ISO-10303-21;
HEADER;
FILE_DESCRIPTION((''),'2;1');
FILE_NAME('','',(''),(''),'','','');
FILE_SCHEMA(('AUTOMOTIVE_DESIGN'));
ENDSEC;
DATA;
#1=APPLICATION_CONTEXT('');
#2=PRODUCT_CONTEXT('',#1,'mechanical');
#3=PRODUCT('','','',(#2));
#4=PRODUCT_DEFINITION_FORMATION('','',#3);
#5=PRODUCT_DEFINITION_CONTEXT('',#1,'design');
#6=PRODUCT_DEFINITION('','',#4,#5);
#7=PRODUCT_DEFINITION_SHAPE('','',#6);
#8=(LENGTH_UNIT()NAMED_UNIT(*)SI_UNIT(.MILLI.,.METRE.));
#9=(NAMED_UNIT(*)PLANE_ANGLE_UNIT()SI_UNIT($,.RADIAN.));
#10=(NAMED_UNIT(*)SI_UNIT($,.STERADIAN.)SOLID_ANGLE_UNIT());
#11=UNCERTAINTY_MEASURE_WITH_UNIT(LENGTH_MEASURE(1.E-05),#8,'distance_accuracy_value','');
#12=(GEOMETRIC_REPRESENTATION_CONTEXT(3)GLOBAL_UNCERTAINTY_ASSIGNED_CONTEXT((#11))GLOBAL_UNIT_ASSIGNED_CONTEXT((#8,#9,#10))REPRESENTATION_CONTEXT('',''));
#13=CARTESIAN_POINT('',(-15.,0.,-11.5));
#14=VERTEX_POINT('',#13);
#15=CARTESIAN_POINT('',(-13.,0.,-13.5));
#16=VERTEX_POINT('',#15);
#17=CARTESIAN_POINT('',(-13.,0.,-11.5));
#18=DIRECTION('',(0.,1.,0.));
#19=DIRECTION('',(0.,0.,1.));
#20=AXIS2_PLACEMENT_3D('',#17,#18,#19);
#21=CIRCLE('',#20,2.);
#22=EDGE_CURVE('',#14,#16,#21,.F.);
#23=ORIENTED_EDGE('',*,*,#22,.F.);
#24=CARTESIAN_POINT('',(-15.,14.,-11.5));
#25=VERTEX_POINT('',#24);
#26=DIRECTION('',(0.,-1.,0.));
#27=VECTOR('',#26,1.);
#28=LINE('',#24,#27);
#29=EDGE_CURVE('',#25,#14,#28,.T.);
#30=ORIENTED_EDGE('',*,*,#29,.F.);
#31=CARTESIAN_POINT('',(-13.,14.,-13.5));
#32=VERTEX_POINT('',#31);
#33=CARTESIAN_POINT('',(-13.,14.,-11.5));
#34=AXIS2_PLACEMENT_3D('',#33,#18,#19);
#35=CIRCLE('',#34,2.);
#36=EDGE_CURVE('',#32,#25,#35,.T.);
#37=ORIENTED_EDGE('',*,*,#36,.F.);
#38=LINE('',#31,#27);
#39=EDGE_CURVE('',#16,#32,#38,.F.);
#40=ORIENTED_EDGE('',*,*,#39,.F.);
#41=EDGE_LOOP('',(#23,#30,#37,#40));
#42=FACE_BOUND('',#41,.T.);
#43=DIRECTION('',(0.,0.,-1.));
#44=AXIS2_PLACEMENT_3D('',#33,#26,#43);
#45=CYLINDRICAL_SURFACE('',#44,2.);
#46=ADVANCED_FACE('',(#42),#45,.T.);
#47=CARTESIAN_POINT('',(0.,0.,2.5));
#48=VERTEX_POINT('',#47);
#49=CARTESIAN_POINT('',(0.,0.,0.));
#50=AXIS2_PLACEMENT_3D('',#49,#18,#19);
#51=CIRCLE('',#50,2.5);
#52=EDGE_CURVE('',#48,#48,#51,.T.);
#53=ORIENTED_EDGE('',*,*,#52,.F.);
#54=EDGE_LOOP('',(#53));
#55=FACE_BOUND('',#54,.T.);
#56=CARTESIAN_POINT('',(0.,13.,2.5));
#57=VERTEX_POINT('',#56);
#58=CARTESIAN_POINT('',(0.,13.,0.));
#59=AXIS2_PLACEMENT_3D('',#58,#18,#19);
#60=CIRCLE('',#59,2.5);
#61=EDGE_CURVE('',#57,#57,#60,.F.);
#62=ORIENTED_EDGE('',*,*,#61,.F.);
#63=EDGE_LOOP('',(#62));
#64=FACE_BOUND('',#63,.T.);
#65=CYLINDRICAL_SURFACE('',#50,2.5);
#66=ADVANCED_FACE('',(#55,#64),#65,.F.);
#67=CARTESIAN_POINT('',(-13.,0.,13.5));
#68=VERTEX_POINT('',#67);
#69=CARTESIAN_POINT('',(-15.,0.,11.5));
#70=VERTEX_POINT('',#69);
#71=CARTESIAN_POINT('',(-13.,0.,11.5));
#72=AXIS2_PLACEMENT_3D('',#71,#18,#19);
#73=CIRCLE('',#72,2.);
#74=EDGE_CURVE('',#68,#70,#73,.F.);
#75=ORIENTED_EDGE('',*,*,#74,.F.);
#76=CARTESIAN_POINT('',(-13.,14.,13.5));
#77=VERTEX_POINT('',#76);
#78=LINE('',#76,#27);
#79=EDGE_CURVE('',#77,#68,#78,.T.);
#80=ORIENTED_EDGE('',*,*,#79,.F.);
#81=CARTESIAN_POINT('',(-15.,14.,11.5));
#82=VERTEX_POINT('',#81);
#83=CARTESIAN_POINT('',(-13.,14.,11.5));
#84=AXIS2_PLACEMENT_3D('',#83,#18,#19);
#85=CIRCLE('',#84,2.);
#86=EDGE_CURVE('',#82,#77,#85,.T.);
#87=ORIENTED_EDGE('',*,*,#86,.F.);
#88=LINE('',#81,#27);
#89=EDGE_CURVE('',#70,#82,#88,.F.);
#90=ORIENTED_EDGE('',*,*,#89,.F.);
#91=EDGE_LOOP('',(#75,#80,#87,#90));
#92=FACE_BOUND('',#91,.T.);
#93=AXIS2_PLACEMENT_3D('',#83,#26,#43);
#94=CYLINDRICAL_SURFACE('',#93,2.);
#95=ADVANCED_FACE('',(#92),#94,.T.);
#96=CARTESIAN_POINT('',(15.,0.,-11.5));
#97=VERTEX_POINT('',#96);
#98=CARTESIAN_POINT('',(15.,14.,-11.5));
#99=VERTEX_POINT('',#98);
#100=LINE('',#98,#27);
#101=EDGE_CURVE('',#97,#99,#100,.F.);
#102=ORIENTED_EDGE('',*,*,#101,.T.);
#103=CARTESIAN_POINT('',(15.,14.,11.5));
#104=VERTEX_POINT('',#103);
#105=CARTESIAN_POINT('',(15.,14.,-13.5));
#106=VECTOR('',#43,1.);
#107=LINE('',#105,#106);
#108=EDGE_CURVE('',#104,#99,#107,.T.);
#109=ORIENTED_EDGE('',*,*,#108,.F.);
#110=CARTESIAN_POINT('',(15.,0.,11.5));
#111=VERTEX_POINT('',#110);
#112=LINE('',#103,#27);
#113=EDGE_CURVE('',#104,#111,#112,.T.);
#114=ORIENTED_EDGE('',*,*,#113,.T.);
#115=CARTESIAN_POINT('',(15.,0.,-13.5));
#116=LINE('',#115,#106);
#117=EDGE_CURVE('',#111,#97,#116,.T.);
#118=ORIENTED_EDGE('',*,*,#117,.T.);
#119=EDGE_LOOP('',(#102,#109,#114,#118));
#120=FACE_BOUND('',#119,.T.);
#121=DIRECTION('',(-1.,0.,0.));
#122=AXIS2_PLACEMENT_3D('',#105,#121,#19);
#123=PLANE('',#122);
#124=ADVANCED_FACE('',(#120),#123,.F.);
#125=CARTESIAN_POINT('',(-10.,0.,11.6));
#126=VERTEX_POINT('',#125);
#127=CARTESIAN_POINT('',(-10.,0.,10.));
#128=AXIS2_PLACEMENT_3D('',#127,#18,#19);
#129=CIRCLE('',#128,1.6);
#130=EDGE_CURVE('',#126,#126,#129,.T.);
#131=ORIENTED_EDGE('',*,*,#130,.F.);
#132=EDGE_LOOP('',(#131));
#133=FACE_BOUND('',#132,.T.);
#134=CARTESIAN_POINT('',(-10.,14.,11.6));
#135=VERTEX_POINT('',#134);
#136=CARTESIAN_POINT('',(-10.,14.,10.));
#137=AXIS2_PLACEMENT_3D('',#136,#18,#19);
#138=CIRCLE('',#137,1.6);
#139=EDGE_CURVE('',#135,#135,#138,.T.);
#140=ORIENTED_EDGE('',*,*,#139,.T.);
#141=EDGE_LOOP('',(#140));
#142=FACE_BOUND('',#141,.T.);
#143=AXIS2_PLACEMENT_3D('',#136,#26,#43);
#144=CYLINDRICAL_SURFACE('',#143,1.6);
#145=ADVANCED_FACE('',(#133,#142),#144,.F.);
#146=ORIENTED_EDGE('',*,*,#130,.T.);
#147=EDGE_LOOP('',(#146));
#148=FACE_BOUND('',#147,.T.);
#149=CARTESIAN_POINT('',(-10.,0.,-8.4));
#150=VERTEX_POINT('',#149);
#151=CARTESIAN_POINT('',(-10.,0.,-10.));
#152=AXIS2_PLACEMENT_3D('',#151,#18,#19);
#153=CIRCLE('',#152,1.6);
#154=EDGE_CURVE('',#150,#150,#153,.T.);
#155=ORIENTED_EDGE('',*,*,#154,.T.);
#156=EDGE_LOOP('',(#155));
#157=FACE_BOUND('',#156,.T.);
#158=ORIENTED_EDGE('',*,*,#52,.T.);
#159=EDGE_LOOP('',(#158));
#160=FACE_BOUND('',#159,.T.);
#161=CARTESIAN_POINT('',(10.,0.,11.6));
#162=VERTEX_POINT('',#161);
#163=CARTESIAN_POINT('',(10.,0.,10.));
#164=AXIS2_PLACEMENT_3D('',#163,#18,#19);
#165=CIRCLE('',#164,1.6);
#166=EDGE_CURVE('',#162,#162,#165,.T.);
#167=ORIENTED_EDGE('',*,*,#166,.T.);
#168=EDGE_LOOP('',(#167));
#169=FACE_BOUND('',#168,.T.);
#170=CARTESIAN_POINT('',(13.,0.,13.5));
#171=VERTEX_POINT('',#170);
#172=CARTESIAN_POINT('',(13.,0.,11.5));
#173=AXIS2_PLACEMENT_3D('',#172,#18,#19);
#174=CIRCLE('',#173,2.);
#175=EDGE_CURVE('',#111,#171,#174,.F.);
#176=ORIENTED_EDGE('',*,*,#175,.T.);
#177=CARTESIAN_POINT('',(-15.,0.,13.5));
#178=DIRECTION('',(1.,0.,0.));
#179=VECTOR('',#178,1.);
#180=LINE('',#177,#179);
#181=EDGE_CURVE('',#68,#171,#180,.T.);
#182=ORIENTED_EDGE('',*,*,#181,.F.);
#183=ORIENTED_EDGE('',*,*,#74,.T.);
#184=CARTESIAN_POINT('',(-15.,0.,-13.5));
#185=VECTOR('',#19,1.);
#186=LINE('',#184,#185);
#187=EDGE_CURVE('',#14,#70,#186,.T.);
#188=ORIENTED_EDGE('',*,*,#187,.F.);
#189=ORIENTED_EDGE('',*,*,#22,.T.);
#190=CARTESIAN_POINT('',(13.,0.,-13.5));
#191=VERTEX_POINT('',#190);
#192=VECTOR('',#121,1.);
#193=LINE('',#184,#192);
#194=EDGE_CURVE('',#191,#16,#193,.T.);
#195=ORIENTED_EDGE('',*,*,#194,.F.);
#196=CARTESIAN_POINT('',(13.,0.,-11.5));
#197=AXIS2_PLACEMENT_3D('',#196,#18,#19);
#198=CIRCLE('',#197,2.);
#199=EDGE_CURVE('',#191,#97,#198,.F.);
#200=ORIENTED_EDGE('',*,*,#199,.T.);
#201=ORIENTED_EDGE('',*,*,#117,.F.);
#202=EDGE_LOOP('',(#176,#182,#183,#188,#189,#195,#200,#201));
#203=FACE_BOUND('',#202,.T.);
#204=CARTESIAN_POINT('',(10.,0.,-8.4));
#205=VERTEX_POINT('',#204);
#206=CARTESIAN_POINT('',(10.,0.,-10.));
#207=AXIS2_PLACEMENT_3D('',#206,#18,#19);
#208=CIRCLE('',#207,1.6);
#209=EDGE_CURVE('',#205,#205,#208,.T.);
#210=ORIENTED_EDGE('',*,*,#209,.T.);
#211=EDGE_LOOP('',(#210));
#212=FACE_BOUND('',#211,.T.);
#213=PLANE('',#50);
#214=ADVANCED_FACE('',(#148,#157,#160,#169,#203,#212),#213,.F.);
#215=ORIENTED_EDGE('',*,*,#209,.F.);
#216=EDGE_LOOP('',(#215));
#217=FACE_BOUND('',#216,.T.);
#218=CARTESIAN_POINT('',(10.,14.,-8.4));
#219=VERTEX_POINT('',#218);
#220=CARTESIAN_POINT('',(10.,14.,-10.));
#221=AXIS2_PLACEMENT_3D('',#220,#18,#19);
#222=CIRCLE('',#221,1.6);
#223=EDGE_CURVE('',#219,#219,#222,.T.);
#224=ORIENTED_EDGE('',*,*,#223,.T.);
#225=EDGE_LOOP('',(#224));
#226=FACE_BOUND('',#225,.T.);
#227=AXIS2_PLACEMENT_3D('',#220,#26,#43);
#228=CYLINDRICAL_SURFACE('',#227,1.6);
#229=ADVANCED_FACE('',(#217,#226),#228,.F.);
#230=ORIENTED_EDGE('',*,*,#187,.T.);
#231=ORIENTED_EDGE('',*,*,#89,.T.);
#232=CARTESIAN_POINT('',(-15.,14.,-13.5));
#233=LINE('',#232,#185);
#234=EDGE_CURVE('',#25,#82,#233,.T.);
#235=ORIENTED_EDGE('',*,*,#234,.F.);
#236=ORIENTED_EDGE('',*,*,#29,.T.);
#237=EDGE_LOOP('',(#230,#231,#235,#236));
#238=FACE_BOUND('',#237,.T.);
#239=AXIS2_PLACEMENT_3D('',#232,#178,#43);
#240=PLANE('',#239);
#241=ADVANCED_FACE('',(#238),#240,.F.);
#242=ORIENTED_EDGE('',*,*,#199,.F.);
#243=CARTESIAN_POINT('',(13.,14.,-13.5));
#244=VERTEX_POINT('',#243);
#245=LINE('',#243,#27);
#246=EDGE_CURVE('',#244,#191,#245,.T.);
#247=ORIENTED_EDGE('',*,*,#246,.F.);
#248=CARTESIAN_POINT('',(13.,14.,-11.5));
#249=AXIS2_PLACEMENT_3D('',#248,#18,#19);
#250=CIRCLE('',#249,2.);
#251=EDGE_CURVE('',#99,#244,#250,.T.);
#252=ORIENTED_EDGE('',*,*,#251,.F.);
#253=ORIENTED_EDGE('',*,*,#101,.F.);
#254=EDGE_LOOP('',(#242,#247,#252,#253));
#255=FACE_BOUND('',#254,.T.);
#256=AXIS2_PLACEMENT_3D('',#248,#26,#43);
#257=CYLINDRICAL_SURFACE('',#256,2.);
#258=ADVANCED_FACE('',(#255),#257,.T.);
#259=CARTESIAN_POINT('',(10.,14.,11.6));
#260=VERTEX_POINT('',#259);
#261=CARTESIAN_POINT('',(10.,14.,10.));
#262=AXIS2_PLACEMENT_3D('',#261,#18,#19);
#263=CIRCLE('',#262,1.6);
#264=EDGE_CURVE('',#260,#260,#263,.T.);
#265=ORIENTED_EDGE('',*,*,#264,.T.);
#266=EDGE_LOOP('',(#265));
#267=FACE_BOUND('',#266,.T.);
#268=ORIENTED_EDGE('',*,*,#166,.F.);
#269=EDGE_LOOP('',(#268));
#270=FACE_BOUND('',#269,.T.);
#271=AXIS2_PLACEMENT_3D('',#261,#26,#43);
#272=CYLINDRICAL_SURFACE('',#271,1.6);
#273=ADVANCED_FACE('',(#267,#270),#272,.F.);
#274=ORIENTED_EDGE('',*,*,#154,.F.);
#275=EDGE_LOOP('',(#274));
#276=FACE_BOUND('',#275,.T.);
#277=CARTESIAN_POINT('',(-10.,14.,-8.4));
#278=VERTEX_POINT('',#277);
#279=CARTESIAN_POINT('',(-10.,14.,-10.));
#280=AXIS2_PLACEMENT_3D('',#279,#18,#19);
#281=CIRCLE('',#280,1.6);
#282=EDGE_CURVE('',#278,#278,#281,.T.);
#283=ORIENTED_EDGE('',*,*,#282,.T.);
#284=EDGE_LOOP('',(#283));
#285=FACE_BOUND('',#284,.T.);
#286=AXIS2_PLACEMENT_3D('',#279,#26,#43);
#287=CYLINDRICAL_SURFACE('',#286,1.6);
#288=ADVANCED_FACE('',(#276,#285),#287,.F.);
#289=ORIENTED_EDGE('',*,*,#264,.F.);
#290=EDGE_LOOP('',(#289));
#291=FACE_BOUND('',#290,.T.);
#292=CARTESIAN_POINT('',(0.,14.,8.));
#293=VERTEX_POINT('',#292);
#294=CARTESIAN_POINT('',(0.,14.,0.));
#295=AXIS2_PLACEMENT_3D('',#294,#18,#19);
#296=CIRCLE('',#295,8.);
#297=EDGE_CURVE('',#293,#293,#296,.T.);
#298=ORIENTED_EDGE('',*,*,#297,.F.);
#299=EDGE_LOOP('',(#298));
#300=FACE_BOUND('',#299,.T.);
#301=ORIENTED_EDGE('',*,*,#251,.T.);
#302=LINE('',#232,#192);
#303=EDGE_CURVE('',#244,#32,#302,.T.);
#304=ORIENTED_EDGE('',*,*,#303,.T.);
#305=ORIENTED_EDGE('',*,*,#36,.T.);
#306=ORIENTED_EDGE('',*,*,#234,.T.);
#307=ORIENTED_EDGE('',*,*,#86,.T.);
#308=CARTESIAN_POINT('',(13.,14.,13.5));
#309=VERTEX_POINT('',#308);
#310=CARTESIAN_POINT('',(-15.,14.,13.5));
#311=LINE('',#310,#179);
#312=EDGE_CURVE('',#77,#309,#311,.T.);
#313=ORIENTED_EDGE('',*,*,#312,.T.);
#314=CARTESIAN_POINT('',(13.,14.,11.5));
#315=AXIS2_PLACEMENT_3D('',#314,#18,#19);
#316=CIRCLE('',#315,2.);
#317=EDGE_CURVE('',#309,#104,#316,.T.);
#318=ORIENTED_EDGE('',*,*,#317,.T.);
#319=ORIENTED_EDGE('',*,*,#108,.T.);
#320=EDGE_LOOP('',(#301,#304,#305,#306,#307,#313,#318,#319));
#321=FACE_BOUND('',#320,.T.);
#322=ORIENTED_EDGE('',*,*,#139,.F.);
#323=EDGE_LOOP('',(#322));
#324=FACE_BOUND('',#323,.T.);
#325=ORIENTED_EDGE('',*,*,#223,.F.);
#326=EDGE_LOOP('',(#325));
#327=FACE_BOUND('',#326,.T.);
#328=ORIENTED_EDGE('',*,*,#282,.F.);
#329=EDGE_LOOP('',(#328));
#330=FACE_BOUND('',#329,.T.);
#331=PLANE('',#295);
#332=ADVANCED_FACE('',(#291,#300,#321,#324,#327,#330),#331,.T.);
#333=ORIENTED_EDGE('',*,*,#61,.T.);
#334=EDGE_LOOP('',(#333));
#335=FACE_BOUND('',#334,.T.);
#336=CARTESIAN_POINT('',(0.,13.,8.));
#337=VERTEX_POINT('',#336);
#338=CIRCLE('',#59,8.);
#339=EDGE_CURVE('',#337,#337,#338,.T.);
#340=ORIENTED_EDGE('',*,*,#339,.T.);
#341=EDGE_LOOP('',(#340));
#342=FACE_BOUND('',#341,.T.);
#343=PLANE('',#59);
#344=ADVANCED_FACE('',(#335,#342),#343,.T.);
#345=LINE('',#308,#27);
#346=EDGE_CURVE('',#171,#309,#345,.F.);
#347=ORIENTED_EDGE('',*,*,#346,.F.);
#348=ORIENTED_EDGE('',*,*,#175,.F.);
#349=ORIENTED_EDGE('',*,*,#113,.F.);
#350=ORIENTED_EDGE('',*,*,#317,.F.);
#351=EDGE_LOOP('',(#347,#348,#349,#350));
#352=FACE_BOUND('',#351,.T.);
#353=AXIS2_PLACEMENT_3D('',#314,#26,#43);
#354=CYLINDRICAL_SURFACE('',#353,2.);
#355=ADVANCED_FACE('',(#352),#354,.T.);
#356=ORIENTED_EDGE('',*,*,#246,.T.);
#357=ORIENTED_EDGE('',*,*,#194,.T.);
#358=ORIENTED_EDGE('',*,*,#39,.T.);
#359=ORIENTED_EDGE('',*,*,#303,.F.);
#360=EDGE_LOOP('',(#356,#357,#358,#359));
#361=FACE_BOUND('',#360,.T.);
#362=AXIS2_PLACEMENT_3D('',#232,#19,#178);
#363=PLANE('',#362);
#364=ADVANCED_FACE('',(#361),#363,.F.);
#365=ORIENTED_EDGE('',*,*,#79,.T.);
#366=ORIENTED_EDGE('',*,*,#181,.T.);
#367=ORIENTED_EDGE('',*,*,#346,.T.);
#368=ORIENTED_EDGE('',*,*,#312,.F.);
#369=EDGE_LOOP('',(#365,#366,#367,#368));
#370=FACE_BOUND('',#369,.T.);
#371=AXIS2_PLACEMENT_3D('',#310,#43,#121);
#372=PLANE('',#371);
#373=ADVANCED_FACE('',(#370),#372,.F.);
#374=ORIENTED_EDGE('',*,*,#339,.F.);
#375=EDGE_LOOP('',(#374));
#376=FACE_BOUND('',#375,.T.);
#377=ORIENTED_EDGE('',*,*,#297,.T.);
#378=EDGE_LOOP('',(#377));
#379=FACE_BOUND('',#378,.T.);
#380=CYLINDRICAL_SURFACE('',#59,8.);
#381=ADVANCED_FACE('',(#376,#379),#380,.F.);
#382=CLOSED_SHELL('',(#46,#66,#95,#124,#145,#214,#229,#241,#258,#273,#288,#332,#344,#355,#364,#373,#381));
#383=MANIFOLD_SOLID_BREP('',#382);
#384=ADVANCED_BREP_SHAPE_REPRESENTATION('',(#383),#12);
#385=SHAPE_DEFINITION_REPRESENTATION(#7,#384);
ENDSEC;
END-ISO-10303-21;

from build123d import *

# Parameters (mm, degrees)
SKETCH_1_W          = 30
SKETCH_1_H          = 27
SKETCH_1_R          = 1.6
EXTRUDE_1_DEPTH     = 14
SKETCH_2_R          = 2.5
CUT_EXTRUDE_1_DEPTH = 15
SKETCH_3_R          = 8
CUT_EXTRUDE_2_DEPTH = 1
FILLET_1_R          = 2


with BuildPart() as part:
    # 草图1 → 凸台-拉伸1 (new body)
    with BuildSketch(Plane(origin=(0, 0, 0), x_dir=(1, 0, 0), z_dir=(0, 1, 0))):
        Rectangle(SKETCH_1_W, SKETCH_1_H)
        with Locations((-10, 10)):
            Circle(SKETCH_1_R, mode=Mode.SUBTRACT)
        with Locations((10, 10)):
            Circle(SKETCH_1_R, mode=Mode.SUBTRACT)
        with Locations((10, -10)):
            Circle(SKETCH_1_R, mode=Mode.SUBTRACT)
        with Locations((-10, -10)):
            Circle(SKETCH_1_R, mode=Mode.SUBTRACT)
    extrude(amount=EXTRUDE_1_DEPTH)

    # 草图2 → 切除-拉伸1 (cut, through all)
    with BuildSketch(Plane(origin=(0, 14, 0), x_dir=(1, 0, 0), z_dir=(0, 1, 0))):
        Circle(SKETCH_2_R)
    extrude(amount=-CUT_EXTRUDE_1_DEPTH, mode=Mode.SUBTRACT)

    # 草图3 → 切除-拉伸2 (cut)
    with BuildSketch(Plane(origin=(0, 14, 0), x_dir=(1, 0, 0), z_dir=(0, 1, 0))):
        Circle(SKETCH_3_R)
    extrude(amount=-CUT_EXTRUDE_2_DEPTH, mode=Mode.SUBTRACT)

    # 圆角1
    fillet_1_edges = [part.edges().sort_by_distance(p)[0] for p in [
        (15, 7, 13.5),
        (-15, 7, 13.5),
        (-15, 7, -13.5),
        (15, 7, -13.5),
    ]]
    fillet(fillet_1_edges, radius=FILLET_1_R)


solid = part.part
